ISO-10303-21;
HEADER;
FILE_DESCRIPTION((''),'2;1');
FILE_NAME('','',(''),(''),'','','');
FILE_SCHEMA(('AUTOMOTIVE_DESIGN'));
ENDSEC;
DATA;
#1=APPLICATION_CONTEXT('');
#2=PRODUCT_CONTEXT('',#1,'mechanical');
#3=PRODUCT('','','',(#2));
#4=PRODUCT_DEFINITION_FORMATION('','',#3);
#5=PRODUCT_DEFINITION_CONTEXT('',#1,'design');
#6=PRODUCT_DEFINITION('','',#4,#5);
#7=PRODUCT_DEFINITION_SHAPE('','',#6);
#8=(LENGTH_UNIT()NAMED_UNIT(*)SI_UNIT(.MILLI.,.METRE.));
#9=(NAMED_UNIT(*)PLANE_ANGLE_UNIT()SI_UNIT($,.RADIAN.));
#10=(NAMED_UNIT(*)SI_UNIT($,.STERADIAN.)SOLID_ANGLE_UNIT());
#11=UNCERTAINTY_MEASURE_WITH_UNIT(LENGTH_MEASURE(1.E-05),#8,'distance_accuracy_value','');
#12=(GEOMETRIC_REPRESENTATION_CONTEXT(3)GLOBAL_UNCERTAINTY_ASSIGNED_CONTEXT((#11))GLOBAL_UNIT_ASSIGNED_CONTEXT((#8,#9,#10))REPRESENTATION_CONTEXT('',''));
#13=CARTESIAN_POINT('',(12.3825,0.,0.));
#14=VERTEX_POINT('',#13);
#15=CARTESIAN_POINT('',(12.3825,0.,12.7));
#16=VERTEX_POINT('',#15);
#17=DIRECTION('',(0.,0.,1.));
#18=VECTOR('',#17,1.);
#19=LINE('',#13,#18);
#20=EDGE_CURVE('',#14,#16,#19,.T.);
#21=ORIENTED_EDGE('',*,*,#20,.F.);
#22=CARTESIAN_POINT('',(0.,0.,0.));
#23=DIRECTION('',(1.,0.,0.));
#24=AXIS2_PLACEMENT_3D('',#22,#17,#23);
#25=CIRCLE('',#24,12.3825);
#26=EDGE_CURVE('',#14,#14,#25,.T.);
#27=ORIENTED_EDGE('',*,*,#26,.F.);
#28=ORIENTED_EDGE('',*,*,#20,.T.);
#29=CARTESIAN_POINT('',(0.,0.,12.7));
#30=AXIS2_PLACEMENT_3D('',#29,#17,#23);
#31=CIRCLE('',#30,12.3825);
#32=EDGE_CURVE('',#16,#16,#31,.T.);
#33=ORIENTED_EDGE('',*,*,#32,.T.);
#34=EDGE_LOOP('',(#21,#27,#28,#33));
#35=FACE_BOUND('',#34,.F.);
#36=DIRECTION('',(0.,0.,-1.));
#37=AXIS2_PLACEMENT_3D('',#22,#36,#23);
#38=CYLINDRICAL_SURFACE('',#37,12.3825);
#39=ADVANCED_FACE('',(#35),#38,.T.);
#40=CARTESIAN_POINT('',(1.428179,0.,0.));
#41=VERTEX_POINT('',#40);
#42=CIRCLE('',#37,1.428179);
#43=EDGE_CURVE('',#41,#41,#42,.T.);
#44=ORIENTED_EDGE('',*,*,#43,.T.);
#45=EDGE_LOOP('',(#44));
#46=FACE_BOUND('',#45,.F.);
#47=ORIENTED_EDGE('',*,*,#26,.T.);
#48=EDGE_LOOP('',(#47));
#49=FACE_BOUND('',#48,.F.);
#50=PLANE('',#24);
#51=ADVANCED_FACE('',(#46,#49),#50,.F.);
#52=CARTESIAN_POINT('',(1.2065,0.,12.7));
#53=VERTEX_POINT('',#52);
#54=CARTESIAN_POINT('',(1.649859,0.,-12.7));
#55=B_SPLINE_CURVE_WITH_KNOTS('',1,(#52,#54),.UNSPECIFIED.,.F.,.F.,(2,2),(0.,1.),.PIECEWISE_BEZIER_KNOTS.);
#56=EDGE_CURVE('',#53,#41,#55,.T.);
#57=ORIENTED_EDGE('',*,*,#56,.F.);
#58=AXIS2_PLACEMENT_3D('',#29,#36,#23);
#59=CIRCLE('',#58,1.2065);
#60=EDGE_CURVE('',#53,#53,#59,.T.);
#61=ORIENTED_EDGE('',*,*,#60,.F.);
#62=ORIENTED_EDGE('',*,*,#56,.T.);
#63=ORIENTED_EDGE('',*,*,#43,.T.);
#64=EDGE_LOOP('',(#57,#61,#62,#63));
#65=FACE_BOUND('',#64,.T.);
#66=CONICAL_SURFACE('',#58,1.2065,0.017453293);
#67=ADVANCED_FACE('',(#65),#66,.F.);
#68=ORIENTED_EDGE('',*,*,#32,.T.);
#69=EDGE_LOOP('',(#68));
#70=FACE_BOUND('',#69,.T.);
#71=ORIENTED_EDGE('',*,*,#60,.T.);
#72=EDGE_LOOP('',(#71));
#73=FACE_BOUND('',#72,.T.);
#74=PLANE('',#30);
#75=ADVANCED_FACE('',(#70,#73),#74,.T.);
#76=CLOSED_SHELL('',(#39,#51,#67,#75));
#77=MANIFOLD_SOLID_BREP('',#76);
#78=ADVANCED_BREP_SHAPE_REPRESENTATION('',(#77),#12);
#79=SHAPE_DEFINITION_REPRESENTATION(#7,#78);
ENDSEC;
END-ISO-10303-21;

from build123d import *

# Parameters (mm, degrees)
F0_R     = 12.3825
F1_DEPTH = 12.7
F2_R     = 1.2065
F3_DEPTH = 25.4
F3_TAPER = -1


with BuildPart() as f1:
    # F0 (on Top) → F1 (new body)
    with BuildSketch(Plane.XY):
        Circle(F0_R)
    extrude(amount=F1_DEPTH)

    # F2 (on face) → F3 (cut)
    with BuildSketch(Plane.XY.offset(12.7)):
        Circle(F2_R)
    extrude(amount=-F3_DEPTH, taper=F3_TAPER, mode=Mode.SUBTRACT)


solid = f1.part
